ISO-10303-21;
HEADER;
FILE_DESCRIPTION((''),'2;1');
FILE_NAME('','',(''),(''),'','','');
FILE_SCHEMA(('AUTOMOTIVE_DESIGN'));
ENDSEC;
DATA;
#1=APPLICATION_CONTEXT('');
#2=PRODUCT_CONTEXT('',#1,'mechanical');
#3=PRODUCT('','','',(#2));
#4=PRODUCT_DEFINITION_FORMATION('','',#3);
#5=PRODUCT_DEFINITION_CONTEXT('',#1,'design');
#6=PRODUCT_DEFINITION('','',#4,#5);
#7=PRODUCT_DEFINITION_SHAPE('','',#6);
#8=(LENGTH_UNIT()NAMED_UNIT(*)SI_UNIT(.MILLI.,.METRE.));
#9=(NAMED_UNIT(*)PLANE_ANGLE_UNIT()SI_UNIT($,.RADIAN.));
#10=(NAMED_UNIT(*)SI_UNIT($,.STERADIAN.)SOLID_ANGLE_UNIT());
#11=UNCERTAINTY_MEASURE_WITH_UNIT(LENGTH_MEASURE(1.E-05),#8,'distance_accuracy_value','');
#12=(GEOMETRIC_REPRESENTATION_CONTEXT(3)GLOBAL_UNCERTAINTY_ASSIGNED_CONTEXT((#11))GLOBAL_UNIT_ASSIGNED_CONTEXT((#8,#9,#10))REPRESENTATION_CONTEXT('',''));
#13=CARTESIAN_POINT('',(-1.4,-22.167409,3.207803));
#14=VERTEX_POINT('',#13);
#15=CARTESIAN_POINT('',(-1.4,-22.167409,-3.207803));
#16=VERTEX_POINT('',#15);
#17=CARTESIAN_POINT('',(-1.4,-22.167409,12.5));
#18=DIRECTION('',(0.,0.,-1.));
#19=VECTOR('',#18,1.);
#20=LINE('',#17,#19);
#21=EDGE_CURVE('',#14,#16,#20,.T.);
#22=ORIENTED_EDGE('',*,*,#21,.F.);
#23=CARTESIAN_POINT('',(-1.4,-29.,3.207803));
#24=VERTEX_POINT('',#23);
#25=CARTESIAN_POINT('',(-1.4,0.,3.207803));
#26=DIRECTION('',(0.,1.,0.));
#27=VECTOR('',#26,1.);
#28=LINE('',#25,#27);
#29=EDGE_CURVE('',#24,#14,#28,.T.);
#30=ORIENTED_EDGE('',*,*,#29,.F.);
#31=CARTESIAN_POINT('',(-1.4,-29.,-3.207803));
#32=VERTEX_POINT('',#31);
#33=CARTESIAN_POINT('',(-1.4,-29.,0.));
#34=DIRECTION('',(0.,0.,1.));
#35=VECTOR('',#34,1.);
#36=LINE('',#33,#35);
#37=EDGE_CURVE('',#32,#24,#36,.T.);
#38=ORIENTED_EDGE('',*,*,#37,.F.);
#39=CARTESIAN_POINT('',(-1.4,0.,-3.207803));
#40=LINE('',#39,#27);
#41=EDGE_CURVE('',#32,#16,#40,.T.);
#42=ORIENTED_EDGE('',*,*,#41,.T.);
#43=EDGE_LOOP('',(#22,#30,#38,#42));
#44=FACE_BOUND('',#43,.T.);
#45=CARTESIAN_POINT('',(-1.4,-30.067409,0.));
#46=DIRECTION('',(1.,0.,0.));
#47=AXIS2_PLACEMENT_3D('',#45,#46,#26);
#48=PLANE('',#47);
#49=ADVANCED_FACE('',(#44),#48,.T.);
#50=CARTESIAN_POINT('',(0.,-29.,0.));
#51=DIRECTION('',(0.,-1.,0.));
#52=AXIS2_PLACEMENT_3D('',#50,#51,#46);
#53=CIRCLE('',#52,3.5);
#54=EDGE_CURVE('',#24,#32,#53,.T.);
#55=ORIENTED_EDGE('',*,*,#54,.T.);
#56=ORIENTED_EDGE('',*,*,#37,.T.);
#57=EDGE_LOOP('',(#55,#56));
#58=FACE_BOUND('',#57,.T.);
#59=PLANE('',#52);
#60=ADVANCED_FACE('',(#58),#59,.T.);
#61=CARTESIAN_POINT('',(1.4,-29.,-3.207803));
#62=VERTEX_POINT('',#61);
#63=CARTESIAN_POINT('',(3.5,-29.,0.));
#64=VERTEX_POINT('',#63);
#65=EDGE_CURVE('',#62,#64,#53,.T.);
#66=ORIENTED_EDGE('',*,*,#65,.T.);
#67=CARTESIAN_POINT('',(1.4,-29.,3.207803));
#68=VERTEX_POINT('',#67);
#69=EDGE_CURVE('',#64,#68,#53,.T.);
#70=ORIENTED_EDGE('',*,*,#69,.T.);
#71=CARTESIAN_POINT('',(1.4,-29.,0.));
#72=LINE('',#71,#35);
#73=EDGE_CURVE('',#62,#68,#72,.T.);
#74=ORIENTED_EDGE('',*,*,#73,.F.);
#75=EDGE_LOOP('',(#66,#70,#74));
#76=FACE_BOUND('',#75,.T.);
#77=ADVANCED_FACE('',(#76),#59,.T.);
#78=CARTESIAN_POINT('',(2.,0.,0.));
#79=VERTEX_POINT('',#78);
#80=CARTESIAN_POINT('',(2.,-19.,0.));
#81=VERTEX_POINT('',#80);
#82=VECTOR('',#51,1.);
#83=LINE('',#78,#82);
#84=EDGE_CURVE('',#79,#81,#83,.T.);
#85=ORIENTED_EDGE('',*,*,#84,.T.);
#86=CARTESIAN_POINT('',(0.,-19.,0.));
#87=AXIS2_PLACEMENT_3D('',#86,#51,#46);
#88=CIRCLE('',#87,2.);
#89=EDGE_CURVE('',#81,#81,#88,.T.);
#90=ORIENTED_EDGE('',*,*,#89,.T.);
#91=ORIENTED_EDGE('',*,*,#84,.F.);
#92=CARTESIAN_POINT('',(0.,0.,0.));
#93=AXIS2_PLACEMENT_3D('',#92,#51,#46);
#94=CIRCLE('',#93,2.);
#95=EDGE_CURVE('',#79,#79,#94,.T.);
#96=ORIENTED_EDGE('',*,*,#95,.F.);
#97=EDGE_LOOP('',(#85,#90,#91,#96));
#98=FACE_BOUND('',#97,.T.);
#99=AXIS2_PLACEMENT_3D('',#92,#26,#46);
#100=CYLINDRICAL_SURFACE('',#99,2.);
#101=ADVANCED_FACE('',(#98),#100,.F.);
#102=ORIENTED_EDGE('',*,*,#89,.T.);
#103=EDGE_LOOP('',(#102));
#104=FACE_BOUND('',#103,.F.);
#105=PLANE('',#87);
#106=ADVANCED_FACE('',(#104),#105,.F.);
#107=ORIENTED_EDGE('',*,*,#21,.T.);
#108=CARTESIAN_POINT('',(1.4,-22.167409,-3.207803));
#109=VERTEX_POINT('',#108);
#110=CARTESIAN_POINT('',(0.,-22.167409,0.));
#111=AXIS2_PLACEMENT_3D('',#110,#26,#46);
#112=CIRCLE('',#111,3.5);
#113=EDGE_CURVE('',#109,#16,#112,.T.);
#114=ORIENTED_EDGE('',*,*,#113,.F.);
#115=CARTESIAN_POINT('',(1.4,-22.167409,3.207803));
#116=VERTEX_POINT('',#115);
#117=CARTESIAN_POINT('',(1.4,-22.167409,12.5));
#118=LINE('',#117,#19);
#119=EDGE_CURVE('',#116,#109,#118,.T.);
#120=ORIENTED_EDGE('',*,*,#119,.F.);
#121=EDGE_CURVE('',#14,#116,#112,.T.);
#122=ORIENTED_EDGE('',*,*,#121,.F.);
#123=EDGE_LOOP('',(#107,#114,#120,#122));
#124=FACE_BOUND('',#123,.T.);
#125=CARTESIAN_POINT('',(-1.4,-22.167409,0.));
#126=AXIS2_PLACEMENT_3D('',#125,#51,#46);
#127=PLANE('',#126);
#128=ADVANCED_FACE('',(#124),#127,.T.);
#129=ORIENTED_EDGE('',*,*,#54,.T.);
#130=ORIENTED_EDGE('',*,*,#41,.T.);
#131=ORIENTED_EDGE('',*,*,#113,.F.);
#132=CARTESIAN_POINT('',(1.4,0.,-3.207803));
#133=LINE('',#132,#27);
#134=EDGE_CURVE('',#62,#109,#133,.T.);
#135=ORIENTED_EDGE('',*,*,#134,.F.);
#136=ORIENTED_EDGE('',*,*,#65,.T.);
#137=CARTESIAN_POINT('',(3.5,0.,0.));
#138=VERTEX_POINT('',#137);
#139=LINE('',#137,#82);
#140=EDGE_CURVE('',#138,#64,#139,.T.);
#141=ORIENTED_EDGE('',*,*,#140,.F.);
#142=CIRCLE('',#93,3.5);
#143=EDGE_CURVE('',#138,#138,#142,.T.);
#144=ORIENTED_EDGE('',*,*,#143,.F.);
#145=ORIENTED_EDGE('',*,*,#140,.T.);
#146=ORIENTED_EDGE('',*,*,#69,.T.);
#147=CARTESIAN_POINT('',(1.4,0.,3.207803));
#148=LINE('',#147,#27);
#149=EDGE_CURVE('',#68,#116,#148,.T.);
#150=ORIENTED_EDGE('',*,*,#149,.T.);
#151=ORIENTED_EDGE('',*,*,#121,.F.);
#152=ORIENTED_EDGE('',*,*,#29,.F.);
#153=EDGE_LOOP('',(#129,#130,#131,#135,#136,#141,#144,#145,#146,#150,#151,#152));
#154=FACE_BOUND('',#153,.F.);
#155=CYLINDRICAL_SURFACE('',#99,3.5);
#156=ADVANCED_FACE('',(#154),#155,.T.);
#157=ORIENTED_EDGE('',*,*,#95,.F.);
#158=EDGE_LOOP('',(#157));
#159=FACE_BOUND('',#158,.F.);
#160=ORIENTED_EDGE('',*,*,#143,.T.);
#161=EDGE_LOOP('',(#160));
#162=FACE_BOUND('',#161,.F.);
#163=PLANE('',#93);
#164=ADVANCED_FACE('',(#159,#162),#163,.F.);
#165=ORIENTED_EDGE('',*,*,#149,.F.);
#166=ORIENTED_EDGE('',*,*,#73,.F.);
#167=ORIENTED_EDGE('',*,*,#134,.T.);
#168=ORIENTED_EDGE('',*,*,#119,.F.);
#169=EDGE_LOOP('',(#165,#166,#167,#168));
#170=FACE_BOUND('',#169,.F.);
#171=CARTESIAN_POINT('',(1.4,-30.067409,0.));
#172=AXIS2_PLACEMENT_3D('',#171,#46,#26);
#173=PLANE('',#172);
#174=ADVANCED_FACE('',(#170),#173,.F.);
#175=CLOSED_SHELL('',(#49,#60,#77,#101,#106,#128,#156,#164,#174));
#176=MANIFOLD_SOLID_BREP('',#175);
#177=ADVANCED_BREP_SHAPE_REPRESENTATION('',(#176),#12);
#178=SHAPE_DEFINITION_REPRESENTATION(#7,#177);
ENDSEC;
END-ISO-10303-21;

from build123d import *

# Parameters (mm, degrees)
F1_R     = 3.5
F2_DEPTH = 29
F0_R     = 2
F3_DEPTH = 19
F4_W     = 2.8
F4_H     = 7.9
F5_DEPTH = 12.5


with BuildPart() as f2:
    # F1 (on Front) → F2 (new body)
    with BuildSketch(Plane.XZ):
        Circle(F1_R)
    extrude(amount=F2_DEPTH)

    # F0 (on Front) → F3 (cut)
    with BuildSketch(Plane.XZ):
        Circle(F0_R)
    extrude(amount=F3_DEPTH, mode=Mode.SUBTRACT)

    # F4 (on Top) → F5 (cut, symmetric)
    with BuildSketch(Plane.XY):
        with Locations((0, -26.117409)):
            Rectangle(F4_W, F4_H)
    extrude(amount=F5_DEPTH, both=True, mode=Mode.SUBTRACT)


solid = f2.part
